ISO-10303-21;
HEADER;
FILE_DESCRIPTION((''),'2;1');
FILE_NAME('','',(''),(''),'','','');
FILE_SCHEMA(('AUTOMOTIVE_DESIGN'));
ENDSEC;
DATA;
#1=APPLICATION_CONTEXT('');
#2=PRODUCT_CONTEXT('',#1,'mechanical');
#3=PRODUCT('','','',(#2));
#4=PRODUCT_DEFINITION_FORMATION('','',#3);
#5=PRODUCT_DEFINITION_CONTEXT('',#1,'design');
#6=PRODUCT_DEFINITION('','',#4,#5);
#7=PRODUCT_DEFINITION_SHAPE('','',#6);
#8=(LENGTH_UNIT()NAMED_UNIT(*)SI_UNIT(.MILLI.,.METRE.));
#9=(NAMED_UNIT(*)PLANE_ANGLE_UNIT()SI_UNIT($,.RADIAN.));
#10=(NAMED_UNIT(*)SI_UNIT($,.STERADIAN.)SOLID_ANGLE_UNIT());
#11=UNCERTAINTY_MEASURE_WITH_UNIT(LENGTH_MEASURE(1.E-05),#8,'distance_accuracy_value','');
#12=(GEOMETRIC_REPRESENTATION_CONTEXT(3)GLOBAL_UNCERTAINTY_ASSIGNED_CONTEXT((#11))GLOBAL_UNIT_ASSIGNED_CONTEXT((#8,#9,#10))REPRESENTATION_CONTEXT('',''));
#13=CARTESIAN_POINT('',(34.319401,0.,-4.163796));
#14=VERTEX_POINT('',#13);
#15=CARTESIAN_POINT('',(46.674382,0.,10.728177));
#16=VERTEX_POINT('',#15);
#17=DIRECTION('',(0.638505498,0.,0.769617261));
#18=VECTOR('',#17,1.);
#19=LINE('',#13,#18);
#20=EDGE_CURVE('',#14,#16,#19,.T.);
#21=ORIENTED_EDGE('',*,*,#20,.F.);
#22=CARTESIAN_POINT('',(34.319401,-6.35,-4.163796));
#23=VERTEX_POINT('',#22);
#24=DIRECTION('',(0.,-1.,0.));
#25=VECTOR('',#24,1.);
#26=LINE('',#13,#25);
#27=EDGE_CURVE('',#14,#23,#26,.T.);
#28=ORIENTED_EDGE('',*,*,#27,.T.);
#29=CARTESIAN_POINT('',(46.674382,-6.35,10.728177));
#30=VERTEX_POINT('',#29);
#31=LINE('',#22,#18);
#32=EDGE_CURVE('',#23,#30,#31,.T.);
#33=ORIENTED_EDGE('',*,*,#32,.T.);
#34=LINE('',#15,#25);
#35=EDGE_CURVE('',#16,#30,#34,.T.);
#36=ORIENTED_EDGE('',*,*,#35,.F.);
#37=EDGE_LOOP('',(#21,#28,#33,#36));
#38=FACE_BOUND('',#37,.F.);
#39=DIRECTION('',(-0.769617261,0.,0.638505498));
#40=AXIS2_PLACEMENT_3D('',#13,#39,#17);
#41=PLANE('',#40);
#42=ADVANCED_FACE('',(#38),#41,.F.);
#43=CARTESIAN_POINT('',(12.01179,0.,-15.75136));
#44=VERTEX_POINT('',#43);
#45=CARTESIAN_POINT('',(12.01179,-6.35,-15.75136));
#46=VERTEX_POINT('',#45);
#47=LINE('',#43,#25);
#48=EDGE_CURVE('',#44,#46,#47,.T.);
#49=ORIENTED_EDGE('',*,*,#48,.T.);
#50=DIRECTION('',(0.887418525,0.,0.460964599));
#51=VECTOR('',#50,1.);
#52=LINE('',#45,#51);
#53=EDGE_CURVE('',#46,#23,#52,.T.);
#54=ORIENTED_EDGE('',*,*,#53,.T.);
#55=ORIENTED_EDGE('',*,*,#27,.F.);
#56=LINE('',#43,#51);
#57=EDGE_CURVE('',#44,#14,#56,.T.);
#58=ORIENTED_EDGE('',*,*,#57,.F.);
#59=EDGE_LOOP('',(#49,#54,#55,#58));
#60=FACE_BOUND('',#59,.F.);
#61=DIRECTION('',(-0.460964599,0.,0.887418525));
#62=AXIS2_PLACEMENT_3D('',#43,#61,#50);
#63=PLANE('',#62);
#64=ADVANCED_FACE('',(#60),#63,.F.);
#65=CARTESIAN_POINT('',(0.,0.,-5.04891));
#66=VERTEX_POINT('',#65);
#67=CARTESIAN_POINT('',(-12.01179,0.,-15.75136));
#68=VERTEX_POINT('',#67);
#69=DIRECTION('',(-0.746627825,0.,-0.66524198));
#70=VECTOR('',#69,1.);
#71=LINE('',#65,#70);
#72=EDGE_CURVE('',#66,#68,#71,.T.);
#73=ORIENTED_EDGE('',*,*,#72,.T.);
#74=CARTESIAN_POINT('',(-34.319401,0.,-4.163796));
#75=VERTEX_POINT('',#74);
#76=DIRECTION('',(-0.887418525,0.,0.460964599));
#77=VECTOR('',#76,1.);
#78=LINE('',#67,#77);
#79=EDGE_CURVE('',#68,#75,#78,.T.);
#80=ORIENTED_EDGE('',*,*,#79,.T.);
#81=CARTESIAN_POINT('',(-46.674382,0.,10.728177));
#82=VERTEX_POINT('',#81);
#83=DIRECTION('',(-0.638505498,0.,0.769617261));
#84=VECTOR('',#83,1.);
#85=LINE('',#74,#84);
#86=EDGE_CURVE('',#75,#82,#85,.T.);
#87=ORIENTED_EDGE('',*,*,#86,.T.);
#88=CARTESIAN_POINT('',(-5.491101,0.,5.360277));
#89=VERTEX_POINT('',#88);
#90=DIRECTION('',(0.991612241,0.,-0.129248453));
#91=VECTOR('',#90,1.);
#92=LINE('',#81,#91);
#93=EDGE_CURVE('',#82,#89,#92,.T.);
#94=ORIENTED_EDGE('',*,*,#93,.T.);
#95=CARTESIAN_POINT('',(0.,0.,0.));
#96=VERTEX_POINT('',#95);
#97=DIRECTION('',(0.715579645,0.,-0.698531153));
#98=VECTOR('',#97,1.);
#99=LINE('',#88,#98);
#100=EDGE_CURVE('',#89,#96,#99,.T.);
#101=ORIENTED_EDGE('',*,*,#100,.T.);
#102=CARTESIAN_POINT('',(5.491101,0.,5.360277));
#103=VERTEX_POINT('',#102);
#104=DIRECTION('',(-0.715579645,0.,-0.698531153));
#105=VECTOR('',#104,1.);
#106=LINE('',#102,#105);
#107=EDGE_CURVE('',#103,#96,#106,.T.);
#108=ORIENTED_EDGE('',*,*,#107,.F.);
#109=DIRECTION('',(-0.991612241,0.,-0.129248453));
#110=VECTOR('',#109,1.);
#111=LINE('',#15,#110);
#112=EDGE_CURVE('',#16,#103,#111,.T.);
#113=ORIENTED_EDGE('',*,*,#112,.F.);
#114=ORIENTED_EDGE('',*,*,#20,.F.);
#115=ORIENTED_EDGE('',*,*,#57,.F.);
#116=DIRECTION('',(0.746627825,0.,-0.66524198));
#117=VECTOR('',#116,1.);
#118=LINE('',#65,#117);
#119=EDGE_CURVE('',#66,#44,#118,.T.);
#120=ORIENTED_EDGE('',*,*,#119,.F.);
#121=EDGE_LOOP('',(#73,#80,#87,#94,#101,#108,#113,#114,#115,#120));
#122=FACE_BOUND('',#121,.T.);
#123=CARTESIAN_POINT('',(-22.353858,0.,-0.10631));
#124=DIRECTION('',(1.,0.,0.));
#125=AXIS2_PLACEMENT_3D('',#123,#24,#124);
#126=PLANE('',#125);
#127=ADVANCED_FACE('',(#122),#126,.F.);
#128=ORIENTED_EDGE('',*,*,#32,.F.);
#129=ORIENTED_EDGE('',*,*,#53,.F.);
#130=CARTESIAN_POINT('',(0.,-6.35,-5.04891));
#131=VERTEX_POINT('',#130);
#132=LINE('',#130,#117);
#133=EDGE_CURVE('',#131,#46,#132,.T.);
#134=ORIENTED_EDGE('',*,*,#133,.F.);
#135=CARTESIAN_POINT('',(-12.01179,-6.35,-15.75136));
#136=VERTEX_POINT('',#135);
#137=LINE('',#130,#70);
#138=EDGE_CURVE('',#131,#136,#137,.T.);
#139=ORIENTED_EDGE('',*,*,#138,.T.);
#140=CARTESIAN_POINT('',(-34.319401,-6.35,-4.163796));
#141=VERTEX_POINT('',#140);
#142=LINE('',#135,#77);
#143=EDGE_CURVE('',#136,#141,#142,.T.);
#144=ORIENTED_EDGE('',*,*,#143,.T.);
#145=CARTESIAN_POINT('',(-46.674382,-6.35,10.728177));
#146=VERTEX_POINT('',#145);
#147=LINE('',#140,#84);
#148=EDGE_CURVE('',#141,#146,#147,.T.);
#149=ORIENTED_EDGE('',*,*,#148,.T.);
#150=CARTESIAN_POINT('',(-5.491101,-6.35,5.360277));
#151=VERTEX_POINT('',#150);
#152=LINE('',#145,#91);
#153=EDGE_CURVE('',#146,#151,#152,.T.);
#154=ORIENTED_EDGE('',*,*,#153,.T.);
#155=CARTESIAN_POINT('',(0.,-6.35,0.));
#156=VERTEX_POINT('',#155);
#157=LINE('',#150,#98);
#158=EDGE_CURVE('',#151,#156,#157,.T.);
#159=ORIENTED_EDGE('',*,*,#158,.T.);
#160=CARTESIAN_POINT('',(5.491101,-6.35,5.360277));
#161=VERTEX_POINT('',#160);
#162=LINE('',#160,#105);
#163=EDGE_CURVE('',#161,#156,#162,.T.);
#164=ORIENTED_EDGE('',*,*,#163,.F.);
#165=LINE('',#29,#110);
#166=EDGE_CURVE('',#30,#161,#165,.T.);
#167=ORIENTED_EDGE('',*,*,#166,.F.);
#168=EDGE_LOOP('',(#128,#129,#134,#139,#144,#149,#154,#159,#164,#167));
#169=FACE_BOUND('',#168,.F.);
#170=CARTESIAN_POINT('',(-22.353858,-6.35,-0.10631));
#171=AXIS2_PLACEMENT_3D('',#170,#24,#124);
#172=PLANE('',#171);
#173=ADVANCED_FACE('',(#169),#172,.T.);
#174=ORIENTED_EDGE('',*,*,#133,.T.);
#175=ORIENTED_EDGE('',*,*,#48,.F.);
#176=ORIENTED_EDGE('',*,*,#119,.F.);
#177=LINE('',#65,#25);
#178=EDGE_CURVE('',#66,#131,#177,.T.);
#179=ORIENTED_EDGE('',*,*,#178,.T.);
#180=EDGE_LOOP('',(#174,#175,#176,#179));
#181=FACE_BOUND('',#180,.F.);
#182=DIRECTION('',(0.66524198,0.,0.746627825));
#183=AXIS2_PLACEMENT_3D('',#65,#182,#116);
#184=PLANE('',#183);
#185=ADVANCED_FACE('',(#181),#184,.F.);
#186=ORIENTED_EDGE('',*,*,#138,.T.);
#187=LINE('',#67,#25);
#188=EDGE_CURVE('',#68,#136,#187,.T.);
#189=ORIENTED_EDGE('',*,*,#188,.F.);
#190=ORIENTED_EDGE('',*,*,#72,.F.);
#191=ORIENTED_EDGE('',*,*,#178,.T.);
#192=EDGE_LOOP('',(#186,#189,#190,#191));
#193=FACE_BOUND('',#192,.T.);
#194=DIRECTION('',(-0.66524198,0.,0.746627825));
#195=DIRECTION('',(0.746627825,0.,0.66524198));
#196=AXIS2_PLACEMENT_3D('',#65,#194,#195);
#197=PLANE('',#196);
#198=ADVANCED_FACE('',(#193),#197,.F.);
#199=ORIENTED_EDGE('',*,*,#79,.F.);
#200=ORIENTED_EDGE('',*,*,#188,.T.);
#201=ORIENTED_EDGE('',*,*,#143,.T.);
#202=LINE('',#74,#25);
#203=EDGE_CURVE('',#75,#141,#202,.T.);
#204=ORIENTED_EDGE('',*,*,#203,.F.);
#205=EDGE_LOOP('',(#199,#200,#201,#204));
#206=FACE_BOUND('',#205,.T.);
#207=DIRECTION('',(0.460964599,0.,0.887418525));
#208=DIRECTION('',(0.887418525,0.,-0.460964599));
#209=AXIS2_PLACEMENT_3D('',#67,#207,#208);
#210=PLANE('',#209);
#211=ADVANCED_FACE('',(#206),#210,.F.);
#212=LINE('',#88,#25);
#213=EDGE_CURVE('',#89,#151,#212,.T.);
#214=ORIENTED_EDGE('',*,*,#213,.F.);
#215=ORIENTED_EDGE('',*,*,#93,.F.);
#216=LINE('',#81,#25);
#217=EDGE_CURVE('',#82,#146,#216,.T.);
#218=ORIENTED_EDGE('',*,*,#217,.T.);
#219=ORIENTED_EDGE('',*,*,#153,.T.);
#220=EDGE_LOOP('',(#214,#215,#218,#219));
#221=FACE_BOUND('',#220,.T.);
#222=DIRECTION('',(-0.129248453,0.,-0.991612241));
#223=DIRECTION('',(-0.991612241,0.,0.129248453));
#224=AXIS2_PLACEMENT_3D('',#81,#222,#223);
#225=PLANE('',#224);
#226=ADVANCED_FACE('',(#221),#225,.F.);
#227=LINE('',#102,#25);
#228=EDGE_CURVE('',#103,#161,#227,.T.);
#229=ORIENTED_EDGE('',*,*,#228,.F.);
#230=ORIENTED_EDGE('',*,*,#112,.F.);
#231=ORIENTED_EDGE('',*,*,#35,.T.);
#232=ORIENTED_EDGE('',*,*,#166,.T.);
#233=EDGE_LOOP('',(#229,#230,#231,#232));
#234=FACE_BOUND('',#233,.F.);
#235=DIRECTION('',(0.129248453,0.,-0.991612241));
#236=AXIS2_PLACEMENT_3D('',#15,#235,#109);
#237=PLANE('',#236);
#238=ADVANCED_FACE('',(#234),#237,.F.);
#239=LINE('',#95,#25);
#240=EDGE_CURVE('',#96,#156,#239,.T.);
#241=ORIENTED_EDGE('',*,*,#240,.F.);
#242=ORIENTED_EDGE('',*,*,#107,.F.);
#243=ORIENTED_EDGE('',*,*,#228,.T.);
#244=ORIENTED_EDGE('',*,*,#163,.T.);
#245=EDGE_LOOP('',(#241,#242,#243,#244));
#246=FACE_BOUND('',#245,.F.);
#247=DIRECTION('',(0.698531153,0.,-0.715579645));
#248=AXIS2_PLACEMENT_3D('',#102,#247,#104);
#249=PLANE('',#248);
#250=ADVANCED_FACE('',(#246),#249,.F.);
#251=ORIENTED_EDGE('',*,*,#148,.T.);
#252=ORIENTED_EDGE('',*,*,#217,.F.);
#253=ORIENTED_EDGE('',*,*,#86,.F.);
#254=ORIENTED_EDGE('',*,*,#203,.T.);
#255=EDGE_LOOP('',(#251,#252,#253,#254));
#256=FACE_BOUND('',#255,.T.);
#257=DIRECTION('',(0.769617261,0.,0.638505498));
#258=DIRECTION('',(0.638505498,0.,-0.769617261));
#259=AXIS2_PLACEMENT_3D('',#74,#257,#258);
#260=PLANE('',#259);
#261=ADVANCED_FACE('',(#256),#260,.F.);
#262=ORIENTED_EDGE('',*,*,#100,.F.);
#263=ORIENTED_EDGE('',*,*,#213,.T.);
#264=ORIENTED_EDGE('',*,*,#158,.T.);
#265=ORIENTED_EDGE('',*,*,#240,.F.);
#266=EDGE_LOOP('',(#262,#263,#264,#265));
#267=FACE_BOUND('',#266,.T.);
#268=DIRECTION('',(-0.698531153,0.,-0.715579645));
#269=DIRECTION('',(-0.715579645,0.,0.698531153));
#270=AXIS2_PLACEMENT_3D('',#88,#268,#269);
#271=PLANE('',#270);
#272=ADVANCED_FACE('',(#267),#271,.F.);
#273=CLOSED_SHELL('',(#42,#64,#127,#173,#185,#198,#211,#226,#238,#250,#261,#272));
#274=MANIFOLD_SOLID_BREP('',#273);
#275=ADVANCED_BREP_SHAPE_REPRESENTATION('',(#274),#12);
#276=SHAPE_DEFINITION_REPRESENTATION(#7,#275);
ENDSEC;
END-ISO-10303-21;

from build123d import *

# Parameters (mm, degrees)
F1_DEPTH = 6.35


with BuildPart() as f1:
    # F0 (on Front) → F1 (new body)
    with BuildSketch(Plane.XZ):
        Polygon((46.674382, 10.728177), (5.491101, 5.360277), (0, 0), (0, -5.04891), (12.01179, -15.75136), (34.319401, -4.163796), align=None)
    extrude(amount=F1_DEPTH)

    # F2: F1 across plane


with BuildPart() as f1_1:
    add(f1.part)
    add(f1.part.mirror(Plane.YZ))


solid = f1_1.part
